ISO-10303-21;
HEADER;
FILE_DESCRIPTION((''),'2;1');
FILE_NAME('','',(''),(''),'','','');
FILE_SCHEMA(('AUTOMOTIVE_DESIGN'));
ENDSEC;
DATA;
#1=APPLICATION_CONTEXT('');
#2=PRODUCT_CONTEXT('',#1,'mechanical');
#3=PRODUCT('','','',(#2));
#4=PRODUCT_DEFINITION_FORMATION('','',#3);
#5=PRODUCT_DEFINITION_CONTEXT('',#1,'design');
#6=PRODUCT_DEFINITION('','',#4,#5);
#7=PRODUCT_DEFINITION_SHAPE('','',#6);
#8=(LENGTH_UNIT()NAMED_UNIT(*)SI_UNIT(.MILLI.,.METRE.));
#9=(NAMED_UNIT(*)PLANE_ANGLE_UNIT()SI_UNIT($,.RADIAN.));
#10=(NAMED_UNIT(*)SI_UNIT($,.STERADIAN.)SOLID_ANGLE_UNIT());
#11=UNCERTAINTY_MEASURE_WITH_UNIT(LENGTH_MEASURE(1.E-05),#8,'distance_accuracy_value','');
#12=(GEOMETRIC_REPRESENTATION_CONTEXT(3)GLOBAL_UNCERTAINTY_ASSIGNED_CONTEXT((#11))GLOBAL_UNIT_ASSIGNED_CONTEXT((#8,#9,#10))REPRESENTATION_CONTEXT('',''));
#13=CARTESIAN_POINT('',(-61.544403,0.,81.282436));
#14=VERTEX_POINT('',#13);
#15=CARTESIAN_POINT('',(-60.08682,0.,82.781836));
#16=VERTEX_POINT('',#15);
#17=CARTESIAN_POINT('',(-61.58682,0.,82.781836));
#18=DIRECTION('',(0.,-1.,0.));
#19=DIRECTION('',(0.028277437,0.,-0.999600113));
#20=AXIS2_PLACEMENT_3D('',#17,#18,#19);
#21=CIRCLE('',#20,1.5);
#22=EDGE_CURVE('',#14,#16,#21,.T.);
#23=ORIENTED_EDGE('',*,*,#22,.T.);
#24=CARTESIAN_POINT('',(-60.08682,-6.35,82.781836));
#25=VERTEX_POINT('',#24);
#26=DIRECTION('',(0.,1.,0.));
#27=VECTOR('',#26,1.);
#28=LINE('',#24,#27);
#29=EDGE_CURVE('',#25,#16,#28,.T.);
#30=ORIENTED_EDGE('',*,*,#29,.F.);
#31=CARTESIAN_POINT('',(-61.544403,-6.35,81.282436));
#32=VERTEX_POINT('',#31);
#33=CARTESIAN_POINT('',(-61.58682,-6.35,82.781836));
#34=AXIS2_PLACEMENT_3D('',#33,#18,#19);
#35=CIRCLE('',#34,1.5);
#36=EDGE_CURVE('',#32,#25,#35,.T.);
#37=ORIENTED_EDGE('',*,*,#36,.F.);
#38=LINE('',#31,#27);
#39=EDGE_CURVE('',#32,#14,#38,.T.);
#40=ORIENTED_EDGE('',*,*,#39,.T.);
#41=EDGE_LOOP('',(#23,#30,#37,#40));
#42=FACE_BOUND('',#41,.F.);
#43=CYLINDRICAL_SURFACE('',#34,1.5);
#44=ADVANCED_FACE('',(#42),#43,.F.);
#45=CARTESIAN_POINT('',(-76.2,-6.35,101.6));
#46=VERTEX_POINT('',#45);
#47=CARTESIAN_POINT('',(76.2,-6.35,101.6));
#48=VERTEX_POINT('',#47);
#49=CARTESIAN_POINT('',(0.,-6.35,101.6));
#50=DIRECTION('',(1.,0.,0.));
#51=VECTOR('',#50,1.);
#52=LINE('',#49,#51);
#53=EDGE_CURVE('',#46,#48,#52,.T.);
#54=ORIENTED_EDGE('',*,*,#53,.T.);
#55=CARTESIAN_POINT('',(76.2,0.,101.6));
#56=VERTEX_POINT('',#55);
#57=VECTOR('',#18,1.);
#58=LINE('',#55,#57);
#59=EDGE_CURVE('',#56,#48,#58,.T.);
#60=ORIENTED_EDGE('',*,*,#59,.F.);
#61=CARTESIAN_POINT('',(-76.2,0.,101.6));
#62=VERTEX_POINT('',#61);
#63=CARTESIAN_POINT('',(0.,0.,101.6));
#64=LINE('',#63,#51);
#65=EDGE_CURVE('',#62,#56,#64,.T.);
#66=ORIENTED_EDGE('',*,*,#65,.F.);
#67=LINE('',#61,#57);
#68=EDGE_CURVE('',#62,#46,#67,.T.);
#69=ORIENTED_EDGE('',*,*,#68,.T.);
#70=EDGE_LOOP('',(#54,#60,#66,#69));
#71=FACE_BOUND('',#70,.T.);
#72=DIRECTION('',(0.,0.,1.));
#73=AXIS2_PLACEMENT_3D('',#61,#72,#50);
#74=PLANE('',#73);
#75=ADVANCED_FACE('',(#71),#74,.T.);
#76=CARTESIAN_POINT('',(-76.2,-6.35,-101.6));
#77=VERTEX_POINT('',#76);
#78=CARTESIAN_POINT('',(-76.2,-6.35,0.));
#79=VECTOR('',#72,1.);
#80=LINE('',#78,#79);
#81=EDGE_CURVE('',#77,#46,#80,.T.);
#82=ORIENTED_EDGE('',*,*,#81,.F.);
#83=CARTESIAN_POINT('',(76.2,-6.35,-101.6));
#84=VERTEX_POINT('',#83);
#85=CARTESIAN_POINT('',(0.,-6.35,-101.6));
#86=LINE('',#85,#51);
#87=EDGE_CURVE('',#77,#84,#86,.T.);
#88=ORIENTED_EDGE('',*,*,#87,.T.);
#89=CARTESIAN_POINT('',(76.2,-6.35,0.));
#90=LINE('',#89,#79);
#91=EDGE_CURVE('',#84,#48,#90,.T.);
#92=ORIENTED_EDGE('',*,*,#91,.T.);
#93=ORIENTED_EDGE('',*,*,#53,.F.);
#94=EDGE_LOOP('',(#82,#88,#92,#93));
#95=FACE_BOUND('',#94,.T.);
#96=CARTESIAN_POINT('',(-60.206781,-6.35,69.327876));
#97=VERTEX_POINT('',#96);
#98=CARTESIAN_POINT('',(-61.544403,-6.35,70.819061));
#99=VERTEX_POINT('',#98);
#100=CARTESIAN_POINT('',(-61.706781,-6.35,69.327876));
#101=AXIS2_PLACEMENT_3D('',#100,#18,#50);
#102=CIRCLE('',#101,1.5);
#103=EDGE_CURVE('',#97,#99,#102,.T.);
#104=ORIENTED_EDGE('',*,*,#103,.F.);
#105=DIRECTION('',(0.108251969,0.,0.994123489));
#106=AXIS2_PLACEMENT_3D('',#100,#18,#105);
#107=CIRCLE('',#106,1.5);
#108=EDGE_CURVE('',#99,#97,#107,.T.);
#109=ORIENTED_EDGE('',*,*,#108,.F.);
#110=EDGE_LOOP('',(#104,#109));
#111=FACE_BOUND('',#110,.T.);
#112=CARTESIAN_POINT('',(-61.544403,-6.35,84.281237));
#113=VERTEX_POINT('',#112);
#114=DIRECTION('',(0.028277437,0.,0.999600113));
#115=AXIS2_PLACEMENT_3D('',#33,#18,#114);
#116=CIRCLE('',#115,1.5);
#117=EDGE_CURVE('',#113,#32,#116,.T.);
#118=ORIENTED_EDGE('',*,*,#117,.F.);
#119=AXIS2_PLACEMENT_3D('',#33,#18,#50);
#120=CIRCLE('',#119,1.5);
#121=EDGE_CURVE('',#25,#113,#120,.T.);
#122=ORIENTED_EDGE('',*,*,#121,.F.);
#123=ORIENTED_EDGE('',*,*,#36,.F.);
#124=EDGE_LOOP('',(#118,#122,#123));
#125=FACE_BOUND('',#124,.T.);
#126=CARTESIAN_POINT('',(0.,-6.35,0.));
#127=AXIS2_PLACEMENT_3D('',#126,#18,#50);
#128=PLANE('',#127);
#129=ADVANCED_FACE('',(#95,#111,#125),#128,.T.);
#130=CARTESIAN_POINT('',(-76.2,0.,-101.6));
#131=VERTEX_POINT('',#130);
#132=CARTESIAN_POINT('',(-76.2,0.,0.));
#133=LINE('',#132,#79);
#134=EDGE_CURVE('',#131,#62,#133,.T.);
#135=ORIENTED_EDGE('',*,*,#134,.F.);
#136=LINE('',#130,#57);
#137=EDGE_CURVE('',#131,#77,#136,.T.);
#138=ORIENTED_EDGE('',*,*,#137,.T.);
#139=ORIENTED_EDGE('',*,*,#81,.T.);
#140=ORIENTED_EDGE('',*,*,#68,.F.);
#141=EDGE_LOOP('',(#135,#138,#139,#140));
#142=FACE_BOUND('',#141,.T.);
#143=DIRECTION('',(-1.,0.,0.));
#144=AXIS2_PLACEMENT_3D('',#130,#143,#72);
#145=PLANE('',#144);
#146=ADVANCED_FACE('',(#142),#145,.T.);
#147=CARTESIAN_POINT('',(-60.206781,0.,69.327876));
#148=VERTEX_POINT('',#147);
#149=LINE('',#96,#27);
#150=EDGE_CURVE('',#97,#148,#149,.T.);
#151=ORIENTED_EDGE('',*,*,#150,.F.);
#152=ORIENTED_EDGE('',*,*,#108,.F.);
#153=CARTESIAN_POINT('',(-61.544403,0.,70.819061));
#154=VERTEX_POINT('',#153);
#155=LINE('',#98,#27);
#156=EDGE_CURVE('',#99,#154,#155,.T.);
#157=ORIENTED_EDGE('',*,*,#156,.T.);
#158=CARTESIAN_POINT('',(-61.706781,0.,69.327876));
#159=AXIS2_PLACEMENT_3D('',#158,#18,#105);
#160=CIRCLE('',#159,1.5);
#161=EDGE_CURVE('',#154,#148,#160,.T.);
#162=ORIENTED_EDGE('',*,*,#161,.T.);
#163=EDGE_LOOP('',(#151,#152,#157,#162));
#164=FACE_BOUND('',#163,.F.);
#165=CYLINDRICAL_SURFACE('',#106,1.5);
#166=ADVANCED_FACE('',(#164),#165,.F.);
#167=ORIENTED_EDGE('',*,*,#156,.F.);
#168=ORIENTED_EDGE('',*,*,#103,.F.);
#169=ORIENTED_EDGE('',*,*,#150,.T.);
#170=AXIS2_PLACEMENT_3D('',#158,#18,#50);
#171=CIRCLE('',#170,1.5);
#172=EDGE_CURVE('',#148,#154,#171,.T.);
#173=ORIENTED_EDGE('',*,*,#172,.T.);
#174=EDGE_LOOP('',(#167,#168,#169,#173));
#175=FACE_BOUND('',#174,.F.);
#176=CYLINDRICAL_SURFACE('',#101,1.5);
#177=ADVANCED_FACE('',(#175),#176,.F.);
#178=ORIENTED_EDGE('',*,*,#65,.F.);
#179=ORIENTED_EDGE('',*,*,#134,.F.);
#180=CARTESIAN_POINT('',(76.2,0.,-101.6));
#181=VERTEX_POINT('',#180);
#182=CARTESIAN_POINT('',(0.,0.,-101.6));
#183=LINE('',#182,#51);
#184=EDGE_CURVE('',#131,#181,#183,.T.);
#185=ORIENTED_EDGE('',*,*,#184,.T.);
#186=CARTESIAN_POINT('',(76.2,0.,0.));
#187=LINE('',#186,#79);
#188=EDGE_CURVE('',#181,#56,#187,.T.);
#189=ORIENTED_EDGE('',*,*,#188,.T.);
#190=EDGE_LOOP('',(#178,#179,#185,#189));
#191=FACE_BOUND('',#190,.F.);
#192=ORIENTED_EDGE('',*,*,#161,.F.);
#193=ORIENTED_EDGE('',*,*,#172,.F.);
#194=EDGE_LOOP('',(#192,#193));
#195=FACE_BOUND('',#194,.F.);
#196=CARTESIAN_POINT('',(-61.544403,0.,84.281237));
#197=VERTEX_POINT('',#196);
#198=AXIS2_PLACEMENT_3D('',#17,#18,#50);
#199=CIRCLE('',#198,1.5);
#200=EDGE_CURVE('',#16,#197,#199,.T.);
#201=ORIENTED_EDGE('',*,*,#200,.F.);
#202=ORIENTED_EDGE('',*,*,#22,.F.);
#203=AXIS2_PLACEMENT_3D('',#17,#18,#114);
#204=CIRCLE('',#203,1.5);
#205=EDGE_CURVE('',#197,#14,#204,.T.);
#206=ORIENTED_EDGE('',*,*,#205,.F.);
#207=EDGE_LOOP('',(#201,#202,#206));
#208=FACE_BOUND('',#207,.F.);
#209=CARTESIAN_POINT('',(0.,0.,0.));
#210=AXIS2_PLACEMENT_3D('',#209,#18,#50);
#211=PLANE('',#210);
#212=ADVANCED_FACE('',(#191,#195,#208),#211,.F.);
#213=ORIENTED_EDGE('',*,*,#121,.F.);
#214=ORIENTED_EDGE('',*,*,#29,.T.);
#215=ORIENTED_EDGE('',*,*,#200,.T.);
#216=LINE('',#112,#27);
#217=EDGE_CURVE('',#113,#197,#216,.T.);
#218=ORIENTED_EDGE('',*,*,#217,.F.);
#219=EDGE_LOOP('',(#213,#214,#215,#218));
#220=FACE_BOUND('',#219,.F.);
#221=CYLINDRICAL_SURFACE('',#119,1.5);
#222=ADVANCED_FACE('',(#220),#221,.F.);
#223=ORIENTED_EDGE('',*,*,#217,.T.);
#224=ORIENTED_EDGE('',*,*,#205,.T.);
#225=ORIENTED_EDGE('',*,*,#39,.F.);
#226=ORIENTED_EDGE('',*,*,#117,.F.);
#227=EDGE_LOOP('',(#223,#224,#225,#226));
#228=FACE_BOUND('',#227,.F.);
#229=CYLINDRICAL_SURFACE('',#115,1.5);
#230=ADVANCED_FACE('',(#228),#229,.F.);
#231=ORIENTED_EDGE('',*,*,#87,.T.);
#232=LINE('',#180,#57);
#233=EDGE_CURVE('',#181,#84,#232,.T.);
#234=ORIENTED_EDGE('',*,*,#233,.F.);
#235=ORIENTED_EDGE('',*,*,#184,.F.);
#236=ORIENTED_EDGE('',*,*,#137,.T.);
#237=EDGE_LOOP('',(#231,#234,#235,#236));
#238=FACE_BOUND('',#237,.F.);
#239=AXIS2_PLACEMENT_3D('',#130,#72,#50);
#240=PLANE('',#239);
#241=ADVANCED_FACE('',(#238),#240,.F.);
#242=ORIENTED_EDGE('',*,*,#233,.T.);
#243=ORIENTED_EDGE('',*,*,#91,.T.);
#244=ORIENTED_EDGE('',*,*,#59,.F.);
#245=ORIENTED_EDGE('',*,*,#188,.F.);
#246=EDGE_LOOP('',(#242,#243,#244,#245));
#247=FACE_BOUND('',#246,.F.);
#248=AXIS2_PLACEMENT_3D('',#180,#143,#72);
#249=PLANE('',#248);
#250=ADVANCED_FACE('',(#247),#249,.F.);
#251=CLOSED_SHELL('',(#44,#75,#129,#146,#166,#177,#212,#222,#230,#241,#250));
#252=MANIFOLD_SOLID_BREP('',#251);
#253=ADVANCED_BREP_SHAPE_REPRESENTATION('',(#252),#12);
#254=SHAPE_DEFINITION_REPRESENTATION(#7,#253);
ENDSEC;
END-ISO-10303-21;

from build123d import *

# Parameters (mm, degrees)
F0_W     = 152.4
F0_H     = 203.2
F1_DEPTH = 6.35
F4_DEPTH = 25
F5_DEPTH = 25


with BuildPart() as f1:
    # F0 (on Front) → F1 (new body)
    with BuildSketch(Plane.XZ):
        Rectangle(F0_W, F0_H)
    extrude(amount=F1_DEPTH)

    # F3 (on face) → F4 (cut)
    with BuildSketch(Plane.XZ.offset(6.35)):
        with BuildLine():
            Line((-61.5444034338, 82.55), (-61.5444034338, 84.2812365605))
            ThreePointArc((-61.5444034338, 84.2812365605), (-63.0868195891, 82.7818363905), (-61.5444034338, 81.2824362205))
            Line((-61.5444034338, 81.2824362205), (-61.5444034338, 82.55))
        make_face()
        with BuildLine():
            ThreePointArc((-61.5444034338, 81.2824362205), (-60.5112675837, 81.736280135), (-60.0868195891, 82.7818363905))
            ThreePointArc((-60.0868195891, 82.7818363905), (-60.5112675837, 83.827392646), (-61.5444034338, 84.2812365605))
            Line((-61.5444034338, 84.2812365605), (-61.5444034338, 82.55))
            Line((-61.5444034338, 82.55), (-61.5444034338, 81.2824362205))
        make_face()
    extrude(amount=-F4_DEPTH, mode=Mode.SUBTRACT)

    # F3 (on face) → F5 (cut)
    with BuildSketch(Plane.XZ.offset(6.35)):
        with BuildLine():
            ThreePointArc((-60.2067813873, 69.3278759718), (-60.5901868033, 70.329482948), (-61.5444034338, 70.8190612052))
            ThreePointArc((-61.5444034338, 70.8190612052), (-62.8233759714, 68.3262689956), (-60.2067813873, 69.3278759718))
        make_face()
    extrude(amount=-F5_DEPTH, mode=Mode.SUBTRACT)


solid = f1.part
